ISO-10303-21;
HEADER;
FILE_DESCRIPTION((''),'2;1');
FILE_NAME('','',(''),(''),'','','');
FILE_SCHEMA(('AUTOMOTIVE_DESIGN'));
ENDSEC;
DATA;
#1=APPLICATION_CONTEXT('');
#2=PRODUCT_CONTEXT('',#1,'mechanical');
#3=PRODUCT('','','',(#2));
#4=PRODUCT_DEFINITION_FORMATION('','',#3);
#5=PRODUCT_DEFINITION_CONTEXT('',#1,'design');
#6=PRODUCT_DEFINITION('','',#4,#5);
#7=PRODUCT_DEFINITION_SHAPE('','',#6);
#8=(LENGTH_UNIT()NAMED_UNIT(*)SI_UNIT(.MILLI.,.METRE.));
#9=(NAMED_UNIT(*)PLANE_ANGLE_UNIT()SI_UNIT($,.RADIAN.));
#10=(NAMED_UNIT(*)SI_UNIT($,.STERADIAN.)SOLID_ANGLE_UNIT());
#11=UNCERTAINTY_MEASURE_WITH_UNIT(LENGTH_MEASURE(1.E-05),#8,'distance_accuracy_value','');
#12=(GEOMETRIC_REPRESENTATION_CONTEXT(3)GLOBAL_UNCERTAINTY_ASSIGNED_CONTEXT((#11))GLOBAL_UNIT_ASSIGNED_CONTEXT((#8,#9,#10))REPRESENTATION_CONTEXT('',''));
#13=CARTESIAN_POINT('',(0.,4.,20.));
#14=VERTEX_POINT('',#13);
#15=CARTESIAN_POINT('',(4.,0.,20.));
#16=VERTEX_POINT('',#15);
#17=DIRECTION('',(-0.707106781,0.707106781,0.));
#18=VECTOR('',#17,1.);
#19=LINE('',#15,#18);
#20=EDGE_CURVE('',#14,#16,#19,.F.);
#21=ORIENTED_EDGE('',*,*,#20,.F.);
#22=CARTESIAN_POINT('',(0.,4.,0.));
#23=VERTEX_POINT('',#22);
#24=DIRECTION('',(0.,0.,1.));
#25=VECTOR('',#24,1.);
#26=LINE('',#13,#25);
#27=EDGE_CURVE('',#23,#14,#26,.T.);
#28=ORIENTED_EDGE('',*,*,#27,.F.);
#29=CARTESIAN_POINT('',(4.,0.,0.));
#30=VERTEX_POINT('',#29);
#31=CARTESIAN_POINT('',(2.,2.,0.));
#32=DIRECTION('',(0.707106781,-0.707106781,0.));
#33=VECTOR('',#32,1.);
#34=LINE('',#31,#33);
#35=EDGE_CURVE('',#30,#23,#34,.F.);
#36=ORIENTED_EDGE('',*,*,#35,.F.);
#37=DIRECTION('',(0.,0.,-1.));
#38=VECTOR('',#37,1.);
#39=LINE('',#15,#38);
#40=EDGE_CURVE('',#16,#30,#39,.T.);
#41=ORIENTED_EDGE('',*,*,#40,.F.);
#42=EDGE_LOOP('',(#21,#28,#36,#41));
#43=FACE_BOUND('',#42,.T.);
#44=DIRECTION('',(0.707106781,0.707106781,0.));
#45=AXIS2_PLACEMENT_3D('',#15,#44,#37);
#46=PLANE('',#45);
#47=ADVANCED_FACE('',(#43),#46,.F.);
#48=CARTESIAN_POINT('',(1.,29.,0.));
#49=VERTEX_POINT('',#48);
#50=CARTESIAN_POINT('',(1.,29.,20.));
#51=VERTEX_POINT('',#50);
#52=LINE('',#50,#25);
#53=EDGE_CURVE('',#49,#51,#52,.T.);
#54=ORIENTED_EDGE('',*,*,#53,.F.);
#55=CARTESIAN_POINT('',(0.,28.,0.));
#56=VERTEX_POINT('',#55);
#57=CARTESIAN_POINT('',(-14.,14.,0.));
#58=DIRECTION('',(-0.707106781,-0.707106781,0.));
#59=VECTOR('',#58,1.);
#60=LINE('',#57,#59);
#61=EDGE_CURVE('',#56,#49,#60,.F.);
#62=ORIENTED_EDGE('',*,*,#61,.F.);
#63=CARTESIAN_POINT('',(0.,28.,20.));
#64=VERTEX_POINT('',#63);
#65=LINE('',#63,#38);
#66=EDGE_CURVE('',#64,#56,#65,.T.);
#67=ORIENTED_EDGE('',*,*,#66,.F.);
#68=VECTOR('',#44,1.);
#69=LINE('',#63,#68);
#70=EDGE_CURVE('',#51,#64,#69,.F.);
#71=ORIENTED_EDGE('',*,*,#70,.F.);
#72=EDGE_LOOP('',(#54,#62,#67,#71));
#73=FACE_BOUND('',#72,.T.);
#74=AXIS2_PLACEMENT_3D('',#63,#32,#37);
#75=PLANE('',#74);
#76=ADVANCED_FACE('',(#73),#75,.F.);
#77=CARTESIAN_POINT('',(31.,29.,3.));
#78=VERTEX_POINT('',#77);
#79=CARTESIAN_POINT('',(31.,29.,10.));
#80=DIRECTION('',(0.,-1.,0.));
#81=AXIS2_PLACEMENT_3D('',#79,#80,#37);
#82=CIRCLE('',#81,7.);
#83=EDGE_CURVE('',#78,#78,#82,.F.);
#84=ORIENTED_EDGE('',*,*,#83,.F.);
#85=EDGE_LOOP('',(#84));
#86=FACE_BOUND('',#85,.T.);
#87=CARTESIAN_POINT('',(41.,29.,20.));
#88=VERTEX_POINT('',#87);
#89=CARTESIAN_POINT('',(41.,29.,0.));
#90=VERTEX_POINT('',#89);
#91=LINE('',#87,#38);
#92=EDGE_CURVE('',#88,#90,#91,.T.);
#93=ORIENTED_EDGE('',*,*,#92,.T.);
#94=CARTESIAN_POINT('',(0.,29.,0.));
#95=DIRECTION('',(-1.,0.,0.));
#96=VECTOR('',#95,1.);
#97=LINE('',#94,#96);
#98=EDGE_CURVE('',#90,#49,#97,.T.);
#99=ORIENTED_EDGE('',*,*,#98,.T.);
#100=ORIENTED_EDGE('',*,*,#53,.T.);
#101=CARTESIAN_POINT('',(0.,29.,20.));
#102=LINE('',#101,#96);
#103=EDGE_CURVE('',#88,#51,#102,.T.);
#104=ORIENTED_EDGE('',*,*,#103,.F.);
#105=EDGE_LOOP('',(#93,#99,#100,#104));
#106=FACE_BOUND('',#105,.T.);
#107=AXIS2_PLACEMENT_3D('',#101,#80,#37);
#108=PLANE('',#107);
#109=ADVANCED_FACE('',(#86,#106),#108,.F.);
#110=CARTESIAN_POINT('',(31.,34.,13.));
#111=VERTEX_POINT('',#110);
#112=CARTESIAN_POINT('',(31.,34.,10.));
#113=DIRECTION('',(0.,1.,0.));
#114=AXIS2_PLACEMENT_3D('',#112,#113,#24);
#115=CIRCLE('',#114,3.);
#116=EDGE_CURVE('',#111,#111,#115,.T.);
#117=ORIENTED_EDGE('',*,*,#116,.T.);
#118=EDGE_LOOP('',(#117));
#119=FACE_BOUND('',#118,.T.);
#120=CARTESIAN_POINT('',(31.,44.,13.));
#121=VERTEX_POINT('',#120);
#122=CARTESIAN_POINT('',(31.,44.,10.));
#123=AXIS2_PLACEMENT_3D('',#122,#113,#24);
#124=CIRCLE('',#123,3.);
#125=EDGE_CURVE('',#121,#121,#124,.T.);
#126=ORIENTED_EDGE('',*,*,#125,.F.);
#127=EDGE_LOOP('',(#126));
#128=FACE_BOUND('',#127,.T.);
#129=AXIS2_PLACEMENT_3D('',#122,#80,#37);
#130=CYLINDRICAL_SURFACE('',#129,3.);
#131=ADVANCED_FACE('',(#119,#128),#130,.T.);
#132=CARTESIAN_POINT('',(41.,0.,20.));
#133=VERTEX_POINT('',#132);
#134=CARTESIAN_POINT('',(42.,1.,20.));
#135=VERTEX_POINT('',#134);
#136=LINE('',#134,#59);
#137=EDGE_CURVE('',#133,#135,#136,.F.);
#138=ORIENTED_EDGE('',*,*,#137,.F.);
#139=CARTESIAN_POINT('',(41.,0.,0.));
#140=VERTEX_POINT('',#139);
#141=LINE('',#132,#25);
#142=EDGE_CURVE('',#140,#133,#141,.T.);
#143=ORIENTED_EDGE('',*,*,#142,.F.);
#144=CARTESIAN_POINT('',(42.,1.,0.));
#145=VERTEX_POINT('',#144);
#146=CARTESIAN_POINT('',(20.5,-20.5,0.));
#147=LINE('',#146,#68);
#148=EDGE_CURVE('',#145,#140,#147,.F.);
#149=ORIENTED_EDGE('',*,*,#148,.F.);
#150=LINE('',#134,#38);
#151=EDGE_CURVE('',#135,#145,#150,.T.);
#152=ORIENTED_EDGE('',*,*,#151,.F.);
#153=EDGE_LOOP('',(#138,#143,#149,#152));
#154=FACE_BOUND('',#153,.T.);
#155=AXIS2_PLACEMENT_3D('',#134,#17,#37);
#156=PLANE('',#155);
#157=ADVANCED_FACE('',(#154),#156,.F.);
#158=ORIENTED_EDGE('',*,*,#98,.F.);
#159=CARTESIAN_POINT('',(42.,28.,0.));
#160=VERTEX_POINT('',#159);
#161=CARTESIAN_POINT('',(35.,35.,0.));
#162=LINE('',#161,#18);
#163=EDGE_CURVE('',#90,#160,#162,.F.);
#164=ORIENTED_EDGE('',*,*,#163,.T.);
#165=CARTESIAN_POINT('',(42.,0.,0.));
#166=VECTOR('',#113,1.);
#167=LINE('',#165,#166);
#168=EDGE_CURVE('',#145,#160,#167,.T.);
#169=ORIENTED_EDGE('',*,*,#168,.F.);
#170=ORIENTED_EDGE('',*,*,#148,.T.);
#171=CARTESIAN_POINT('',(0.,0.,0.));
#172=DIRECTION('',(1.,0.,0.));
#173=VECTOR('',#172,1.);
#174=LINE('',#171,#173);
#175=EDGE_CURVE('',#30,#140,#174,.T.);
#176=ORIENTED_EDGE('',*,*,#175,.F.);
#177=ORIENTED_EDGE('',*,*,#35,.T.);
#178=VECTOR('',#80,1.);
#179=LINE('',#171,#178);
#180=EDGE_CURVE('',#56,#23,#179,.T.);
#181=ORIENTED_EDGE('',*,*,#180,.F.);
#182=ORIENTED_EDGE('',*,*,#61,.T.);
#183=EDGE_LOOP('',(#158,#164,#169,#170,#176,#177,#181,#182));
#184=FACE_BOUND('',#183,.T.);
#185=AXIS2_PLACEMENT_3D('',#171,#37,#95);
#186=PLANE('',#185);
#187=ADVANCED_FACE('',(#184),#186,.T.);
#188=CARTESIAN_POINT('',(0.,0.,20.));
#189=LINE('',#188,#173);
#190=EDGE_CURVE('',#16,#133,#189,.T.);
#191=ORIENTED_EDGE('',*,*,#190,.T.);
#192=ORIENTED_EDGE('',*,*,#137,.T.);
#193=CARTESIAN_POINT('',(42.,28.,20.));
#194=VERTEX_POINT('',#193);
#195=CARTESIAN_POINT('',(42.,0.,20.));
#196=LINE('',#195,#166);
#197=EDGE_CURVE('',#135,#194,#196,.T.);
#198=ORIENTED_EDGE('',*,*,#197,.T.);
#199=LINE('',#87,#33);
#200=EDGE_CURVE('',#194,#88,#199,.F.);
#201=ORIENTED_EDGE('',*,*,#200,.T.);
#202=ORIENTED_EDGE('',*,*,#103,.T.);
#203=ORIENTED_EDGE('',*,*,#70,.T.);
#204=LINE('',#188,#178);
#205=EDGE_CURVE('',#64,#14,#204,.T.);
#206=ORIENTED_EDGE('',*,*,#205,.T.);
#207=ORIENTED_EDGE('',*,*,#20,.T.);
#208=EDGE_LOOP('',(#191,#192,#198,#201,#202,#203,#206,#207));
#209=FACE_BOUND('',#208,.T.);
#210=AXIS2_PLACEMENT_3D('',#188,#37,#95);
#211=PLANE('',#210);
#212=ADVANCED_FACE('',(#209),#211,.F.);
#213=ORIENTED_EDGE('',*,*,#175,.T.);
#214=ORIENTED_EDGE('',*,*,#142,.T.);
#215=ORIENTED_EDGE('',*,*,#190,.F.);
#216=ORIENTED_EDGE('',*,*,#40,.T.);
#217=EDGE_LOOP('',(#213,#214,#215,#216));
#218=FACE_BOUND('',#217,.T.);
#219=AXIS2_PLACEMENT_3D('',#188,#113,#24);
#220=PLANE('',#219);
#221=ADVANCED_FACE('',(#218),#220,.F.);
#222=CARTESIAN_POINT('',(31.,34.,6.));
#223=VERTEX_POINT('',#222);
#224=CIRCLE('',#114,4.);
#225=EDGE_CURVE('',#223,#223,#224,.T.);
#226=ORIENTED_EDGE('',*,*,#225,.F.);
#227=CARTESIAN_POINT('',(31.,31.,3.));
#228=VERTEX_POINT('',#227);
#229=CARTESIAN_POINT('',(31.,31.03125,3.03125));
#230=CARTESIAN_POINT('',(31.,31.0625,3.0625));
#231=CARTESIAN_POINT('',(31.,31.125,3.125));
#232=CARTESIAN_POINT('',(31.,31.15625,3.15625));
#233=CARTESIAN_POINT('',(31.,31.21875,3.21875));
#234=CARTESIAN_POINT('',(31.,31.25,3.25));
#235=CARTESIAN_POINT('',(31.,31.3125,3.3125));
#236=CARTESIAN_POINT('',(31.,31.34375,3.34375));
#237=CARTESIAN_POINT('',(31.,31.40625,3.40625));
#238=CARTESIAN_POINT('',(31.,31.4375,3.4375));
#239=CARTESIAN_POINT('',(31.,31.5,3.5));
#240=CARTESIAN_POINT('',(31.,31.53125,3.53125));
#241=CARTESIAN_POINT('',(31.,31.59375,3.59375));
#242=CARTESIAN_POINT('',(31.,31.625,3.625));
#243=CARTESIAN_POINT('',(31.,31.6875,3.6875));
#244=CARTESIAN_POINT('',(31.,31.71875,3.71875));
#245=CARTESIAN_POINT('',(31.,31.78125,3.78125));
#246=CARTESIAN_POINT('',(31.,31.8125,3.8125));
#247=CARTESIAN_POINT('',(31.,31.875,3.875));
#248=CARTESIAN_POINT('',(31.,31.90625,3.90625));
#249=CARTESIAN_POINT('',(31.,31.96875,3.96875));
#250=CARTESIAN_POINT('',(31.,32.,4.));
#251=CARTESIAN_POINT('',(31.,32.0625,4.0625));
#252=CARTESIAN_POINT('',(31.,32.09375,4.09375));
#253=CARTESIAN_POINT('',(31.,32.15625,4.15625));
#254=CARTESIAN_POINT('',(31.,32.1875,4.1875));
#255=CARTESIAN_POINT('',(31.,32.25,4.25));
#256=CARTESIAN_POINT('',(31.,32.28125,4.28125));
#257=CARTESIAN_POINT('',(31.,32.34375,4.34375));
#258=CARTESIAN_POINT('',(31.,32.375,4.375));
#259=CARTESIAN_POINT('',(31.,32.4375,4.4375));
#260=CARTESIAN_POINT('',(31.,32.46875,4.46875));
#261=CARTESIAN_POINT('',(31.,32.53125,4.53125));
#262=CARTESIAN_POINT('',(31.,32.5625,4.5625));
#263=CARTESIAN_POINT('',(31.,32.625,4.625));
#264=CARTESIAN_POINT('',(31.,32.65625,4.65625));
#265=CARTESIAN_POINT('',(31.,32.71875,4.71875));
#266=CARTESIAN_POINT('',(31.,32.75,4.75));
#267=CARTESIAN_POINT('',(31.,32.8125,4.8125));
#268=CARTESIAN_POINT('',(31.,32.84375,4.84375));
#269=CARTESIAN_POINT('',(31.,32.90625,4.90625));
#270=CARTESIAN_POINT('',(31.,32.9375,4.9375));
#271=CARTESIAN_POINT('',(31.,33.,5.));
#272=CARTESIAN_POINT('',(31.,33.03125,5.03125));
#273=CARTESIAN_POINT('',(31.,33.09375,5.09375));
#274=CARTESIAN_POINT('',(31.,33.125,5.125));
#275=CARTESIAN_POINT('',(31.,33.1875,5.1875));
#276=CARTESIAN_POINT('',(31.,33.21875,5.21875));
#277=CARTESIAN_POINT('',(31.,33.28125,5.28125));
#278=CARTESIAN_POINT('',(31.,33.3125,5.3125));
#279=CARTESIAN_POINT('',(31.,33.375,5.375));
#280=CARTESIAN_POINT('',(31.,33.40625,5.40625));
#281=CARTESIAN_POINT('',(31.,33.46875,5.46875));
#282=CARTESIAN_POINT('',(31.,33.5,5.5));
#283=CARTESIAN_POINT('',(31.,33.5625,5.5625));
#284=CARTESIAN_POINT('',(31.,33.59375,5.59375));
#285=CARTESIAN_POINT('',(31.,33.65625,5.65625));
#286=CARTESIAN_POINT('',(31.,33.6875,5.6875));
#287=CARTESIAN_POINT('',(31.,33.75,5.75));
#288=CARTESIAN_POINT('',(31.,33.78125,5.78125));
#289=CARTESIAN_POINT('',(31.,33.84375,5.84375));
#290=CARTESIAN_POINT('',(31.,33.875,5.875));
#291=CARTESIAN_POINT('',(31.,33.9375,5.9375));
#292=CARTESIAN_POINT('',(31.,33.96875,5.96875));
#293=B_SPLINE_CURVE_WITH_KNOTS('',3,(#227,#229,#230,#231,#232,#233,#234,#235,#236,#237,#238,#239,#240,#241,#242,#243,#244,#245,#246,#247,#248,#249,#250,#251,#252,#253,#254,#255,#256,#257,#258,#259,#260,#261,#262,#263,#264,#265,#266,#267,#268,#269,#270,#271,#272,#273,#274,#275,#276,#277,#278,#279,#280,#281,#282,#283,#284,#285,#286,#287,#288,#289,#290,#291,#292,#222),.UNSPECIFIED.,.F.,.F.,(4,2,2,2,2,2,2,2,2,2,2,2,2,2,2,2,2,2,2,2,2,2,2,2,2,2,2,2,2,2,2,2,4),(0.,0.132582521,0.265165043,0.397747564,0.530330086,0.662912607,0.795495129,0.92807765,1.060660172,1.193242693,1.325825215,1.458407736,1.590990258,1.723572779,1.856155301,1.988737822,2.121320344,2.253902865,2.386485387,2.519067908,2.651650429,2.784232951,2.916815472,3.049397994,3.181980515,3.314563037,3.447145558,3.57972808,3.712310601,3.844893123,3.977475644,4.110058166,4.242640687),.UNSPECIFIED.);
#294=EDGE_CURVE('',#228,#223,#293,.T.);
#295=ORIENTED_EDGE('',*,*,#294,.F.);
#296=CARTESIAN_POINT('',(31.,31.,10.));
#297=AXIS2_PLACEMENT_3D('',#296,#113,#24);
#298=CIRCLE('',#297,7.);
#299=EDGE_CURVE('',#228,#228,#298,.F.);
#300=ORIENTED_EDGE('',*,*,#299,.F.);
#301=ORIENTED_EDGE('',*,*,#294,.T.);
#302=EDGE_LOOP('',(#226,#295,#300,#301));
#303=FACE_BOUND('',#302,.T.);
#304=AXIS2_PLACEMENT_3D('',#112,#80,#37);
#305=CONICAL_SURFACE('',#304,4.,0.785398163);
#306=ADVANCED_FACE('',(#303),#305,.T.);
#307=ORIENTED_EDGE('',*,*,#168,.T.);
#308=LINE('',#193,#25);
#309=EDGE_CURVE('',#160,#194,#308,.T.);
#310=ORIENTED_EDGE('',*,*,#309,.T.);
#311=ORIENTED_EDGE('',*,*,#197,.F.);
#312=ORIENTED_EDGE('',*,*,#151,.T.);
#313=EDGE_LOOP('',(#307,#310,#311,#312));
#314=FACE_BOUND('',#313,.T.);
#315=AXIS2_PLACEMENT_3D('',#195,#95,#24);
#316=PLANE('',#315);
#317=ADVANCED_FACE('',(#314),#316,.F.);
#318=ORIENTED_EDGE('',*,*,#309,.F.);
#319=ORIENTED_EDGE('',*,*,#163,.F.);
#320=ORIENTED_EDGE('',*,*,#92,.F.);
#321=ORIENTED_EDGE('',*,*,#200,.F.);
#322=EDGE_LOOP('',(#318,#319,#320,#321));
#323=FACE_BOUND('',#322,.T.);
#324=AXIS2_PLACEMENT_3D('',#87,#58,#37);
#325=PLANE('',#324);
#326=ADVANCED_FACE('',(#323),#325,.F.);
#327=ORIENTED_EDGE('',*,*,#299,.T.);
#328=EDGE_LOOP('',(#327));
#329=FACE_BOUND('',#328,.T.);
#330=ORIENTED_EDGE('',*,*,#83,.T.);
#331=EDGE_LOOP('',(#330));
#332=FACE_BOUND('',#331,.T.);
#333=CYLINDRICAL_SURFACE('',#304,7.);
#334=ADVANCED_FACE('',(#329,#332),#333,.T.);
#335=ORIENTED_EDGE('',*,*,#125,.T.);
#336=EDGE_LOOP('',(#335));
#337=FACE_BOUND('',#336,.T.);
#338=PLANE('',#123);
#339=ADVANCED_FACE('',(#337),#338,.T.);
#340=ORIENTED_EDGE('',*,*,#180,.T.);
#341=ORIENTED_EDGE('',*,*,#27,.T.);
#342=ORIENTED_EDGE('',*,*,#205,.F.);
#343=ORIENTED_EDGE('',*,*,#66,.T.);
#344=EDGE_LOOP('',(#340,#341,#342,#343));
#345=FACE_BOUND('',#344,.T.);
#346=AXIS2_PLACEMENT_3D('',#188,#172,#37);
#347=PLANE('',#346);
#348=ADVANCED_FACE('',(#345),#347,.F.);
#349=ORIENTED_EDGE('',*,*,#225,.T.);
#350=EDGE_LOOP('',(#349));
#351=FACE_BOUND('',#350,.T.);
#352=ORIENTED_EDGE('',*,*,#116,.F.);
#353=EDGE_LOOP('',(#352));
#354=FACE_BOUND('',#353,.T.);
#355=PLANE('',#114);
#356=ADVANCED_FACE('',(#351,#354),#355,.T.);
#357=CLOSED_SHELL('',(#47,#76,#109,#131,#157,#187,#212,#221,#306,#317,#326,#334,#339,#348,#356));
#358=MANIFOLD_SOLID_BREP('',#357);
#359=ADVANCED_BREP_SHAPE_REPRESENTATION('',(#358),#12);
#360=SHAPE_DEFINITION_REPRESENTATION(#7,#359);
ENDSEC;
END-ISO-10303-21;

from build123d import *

# Parameters (mm, degrees)
SKETCH1_W           = 42
SKETCH1_H           = 29
BOSS_EXTRUDE1_DEPTH = 20
CHAMFER1_SIZE       = 4
CHAMFER2_SIZE       = 1
CHAMFER3_SIZE       = 1
SKETCH4_R           = 7
BOSS_EXTRUDE2_DEPTH = 5
CHAMFER4_SIZE       = 3
SKETCH5_R           = 3
BOSS_EXTRUDE3_DEPTH = 10


with BuildPart() as part:
    # Sketch1 → Boss-Extrude1 (new body)
    with BuildSketch(Plane.XY):
        with Locations((21, 14.5)):
            Rectangle(SKETCH1_W, SKETCH1_H)
    extrude(amount=BOSS_EXTRUDE1_DEPTH)

    # Chamfer1
    chamfer1_edges = [part.edges().sort_by_distance(p)[0] for p in [
        (0, 0, 10),
    ]]
    chamfer(chamfer1_edges, length=CHAMFER1_SIZE)

    # Chamfer2
    chamfer2_edges = [part.edges().sort_by_distance(p)[0] for p in [
        (0, 29, 10),
        (42, 29, 10),
    ]]
    chamfer(chamfer2_edges, length=CHAMFER2_SIZE)

    # Chamfer3
    chamfer3_edges = [part.edges().sort_by_distance(p)[0] for p in [
        (42, 0, 10),
    ]]
    chamfer(chamfer3_edges, length=CHAMFER3_SIZE)

    # Sketch4 → Boss-Extrude2 (add)
    with BuildSketch(Plane(origin=(0, 29, 0), x_dir=(1, 0, 0), z_dir=(0, 1, 0))):
        with Locations(Location((31, -10, 0), (0, 0, 90))):
            Circle(SKETCH4_R)
    extrude(amount=BOSS_EXTRUDE2_DEPTH)

    # Chamfer4
    chamfer4_edges = [part.edges().sort_by_distance(p)[0] for p in [
        (31, 34, 17),
    ]]
    chamfer(chamfer4_edges, length=CHAMFER4_SIZE)

    # Sketch5 → Boss-Extrude3 (add)
    with BuildSketch(Plane(origin=(0, 34, 0), x_dir=(1, 0, 0), z_dir=(0, 1, 0))):
        with Locations(Location((31, -10, 0), (0, 0, 270))):
            Circle(SKETCH5_R)
    extrude(amount=BOSS_EXTRUDE3_DEPTH)


solid = part.part
